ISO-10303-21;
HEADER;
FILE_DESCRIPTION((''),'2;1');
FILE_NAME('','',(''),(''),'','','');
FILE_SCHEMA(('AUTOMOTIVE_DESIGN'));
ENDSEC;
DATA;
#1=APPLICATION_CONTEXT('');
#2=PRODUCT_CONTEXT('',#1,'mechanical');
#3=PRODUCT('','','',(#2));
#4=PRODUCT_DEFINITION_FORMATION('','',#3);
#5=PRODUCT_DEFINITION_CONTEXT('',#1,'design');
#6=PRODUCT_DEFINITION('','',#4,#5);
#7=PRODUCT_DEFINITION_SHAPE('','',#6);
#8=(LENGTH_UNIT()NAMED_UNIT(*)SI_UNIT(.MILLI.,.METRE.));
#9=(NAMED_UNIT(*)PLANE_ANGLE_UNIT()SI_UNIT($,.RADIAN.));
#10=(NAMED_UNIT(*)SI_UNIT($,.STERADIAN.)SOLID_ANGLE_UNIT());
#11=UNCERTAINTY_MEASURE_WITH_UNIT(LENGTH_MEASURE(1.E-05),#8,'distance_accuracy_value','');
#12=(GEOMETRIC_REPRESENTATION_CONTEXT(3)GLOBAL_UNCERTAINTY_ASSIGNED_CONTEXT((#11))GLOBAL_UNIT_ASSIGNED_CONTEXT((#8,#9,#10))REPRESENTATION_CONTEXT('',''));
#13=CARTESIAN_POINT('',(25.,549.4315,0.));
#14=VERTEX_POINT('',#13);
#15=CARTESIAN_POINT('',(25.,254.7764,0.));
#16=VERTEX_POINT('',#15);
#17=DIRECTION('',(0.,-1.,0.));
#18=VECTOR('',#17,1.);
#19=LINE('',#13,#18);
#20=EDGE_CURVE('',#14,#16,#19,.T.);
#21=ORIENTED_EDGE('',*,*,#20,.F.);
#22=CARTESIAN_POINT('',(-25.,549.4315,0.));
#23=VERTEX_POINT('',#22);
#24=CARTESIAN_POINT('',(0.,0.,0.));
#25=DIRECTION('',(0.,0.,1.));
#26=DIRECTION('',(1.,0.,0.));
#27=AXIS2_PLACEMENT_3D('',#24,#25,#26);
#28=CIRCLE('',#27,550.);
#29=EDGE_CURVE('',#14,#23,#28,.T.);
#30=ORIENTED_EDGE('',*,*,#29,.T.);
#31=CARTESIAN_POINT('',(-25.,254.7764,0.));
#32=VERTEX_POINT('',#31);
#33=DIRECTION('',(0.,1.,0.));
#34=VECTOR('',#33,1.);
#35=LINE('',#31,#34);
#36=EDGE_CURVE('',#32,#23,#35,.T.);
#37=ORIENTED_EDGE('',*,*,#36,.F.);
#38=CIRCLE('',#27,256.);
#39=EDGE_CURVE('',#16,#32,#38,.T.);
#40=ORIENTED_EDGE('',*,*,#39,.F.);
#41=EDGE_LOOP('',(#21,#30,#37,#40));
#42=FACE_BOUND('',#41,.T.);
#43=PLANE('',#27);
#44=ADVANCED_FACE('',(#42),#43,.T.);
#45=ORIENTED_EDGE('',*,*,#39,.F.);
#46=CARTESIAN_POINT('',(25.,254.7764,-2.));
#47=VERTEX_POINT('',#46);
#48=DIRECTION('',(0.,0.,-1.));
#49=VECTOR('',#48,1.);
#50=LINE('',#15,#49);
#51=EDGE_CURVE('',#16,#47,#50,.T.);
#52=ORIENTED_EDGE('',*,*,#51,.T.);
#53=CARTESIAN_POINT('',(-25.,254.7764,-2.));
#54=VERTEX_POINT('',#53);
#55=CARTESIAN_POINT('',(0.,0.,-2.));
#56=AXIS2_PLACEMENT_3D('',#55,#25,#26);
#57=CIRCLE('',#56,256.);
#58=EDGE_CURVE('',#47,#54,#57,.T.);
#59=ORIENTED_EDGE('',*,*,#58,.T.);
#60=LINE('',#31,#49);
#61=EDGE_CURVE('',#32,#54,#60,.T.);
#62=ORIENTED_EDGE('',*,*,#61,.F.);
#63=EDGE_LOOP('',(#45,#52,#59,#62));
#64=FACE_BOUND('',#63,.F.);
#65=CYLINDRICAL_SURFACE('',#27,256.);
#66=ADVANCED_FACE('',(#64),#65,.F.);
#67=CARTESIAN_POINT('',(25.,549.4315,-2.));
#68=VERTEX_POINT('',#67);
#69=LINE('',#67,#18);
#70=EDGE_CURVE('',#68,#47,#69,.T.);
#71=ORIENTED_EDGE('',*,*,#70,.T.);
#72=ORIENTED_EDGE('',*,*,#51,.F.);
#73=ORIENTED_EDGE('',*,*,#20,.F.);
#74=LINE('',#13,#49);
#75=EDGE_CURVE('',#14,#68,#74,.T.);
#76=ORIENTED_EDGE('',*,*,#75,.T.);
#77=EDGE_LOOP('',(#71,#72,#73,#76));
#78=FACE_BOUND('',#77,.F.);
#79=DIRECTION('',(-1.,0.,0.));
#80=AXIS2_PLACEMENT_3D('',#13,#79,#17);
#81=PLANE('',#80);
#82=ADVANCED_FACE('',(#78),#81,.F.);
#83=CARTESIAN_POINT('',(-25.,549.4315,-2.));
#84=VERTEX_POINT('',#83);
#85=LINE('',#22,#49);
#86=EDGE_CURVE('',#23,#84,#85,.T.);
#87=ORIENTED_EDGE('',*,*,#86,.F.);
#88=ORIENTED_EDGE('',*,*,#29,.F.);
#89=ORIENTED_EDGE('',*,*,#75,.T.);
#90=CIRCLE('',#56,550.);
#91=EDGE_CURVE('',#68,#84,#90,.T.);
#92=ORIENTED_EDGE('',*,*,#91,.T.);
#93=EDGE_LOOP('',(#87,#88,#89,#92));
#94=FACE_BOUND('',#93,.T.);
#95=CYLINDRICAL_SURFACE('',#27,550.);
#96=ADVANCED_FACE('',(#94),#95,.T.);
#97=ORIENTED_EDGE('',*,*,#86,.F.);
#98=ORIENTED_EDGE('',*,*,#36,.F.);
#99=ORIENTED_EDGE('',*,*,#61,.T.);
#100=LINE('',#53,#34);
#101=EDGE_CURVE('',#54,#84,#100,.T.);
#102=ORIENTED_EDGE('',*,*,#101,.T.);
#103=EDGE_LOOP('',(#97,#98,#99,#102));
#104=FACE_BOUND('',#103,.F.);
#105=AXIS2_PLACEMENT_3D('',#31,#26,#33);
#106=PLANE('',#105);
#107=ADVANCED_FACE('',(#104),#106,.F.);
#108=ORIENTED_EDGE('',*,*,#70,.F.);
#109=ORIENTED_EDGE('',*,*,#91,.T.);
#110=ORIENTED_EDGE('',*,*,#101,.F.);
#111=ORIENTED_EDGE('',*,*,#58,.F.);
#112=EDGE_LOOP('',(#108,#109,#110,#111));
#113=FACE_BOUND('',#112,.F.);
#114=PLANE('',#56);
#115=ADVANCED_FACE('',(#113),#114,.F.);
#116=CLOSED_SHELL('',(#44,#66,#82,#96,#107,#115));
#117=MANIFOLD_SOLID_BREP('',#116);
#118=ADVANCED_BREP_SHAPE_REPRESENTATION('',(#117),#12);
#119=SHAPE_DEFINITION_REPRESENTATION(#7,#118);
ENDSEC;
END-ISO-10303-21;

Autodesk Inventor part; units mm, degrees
ref_plane "YZ Plane" through (0, 0, 0) normal (1, 0, 0) x (0, 1, 0)
ref_plane "XZ Plane" through (0, 0, 0) normal (0, 1, 0) x (-1, 0, 0)
ref_plane "XY Plane" through (0, 0, 0) normal (0, 0, 1) x (1, 0, 0)
sketch "Sketch1" plane through (0, 0, 0) normal (0, 0, 1) x (1, 0, 0)
  circle A0 centre (0, 0) radius 256
  line L0 (-25, 549.4315) -> (25, 549.4315)
  line L1 (25, 549.4315) -> (25, 254.7764)
  line L2 (25, 254.7764) -> (-25, 254.7764)
  line L3 (-25, 254.7764) -> (-25, 549.4315)
  circle A1 centre (0, 0) radius 550
  dimension "d28" = 1100
  dimension "d26" = 512
  dimension "d27" = 50
extrude "Plate1" add sketch "Sketch1" against normal blind 2 contours A0 L3 L0 L1 | L0 A1
equation "\"d28\" = Колесо_диам2_ручья_внутр"
equation "\"d26\" = Колесо_диам3_борт_ступицы + 2 * Thickness"
equation "\"d15\" = Thickness"
equation "\"BendRadius\" = Thickness"
equation "\"BendReliefWidth\" = Thickness"
equation "\"BendReliefDepth\" = 0.5 * Thickness"
equation "\"CornerReliefSize\" = 4 * Thickness"
equation "\"MinimumRemnant\" = 2 * Thickness"
equation "\"TransitionRadius\" = BendRadius"
equation "\"JacobiRadiusSize\" = BendRadius"
equation "\"GapSize\" = Thickness"
equation "\"Колесо_диам2_ручья_внутр\" = 1100"
equation "\"Колесо_диам3_борт_ступицы\" = 508"
equation "\"Thickness\" = 2"
properties part number "DMF2.0 01 41 Gear way 1"
